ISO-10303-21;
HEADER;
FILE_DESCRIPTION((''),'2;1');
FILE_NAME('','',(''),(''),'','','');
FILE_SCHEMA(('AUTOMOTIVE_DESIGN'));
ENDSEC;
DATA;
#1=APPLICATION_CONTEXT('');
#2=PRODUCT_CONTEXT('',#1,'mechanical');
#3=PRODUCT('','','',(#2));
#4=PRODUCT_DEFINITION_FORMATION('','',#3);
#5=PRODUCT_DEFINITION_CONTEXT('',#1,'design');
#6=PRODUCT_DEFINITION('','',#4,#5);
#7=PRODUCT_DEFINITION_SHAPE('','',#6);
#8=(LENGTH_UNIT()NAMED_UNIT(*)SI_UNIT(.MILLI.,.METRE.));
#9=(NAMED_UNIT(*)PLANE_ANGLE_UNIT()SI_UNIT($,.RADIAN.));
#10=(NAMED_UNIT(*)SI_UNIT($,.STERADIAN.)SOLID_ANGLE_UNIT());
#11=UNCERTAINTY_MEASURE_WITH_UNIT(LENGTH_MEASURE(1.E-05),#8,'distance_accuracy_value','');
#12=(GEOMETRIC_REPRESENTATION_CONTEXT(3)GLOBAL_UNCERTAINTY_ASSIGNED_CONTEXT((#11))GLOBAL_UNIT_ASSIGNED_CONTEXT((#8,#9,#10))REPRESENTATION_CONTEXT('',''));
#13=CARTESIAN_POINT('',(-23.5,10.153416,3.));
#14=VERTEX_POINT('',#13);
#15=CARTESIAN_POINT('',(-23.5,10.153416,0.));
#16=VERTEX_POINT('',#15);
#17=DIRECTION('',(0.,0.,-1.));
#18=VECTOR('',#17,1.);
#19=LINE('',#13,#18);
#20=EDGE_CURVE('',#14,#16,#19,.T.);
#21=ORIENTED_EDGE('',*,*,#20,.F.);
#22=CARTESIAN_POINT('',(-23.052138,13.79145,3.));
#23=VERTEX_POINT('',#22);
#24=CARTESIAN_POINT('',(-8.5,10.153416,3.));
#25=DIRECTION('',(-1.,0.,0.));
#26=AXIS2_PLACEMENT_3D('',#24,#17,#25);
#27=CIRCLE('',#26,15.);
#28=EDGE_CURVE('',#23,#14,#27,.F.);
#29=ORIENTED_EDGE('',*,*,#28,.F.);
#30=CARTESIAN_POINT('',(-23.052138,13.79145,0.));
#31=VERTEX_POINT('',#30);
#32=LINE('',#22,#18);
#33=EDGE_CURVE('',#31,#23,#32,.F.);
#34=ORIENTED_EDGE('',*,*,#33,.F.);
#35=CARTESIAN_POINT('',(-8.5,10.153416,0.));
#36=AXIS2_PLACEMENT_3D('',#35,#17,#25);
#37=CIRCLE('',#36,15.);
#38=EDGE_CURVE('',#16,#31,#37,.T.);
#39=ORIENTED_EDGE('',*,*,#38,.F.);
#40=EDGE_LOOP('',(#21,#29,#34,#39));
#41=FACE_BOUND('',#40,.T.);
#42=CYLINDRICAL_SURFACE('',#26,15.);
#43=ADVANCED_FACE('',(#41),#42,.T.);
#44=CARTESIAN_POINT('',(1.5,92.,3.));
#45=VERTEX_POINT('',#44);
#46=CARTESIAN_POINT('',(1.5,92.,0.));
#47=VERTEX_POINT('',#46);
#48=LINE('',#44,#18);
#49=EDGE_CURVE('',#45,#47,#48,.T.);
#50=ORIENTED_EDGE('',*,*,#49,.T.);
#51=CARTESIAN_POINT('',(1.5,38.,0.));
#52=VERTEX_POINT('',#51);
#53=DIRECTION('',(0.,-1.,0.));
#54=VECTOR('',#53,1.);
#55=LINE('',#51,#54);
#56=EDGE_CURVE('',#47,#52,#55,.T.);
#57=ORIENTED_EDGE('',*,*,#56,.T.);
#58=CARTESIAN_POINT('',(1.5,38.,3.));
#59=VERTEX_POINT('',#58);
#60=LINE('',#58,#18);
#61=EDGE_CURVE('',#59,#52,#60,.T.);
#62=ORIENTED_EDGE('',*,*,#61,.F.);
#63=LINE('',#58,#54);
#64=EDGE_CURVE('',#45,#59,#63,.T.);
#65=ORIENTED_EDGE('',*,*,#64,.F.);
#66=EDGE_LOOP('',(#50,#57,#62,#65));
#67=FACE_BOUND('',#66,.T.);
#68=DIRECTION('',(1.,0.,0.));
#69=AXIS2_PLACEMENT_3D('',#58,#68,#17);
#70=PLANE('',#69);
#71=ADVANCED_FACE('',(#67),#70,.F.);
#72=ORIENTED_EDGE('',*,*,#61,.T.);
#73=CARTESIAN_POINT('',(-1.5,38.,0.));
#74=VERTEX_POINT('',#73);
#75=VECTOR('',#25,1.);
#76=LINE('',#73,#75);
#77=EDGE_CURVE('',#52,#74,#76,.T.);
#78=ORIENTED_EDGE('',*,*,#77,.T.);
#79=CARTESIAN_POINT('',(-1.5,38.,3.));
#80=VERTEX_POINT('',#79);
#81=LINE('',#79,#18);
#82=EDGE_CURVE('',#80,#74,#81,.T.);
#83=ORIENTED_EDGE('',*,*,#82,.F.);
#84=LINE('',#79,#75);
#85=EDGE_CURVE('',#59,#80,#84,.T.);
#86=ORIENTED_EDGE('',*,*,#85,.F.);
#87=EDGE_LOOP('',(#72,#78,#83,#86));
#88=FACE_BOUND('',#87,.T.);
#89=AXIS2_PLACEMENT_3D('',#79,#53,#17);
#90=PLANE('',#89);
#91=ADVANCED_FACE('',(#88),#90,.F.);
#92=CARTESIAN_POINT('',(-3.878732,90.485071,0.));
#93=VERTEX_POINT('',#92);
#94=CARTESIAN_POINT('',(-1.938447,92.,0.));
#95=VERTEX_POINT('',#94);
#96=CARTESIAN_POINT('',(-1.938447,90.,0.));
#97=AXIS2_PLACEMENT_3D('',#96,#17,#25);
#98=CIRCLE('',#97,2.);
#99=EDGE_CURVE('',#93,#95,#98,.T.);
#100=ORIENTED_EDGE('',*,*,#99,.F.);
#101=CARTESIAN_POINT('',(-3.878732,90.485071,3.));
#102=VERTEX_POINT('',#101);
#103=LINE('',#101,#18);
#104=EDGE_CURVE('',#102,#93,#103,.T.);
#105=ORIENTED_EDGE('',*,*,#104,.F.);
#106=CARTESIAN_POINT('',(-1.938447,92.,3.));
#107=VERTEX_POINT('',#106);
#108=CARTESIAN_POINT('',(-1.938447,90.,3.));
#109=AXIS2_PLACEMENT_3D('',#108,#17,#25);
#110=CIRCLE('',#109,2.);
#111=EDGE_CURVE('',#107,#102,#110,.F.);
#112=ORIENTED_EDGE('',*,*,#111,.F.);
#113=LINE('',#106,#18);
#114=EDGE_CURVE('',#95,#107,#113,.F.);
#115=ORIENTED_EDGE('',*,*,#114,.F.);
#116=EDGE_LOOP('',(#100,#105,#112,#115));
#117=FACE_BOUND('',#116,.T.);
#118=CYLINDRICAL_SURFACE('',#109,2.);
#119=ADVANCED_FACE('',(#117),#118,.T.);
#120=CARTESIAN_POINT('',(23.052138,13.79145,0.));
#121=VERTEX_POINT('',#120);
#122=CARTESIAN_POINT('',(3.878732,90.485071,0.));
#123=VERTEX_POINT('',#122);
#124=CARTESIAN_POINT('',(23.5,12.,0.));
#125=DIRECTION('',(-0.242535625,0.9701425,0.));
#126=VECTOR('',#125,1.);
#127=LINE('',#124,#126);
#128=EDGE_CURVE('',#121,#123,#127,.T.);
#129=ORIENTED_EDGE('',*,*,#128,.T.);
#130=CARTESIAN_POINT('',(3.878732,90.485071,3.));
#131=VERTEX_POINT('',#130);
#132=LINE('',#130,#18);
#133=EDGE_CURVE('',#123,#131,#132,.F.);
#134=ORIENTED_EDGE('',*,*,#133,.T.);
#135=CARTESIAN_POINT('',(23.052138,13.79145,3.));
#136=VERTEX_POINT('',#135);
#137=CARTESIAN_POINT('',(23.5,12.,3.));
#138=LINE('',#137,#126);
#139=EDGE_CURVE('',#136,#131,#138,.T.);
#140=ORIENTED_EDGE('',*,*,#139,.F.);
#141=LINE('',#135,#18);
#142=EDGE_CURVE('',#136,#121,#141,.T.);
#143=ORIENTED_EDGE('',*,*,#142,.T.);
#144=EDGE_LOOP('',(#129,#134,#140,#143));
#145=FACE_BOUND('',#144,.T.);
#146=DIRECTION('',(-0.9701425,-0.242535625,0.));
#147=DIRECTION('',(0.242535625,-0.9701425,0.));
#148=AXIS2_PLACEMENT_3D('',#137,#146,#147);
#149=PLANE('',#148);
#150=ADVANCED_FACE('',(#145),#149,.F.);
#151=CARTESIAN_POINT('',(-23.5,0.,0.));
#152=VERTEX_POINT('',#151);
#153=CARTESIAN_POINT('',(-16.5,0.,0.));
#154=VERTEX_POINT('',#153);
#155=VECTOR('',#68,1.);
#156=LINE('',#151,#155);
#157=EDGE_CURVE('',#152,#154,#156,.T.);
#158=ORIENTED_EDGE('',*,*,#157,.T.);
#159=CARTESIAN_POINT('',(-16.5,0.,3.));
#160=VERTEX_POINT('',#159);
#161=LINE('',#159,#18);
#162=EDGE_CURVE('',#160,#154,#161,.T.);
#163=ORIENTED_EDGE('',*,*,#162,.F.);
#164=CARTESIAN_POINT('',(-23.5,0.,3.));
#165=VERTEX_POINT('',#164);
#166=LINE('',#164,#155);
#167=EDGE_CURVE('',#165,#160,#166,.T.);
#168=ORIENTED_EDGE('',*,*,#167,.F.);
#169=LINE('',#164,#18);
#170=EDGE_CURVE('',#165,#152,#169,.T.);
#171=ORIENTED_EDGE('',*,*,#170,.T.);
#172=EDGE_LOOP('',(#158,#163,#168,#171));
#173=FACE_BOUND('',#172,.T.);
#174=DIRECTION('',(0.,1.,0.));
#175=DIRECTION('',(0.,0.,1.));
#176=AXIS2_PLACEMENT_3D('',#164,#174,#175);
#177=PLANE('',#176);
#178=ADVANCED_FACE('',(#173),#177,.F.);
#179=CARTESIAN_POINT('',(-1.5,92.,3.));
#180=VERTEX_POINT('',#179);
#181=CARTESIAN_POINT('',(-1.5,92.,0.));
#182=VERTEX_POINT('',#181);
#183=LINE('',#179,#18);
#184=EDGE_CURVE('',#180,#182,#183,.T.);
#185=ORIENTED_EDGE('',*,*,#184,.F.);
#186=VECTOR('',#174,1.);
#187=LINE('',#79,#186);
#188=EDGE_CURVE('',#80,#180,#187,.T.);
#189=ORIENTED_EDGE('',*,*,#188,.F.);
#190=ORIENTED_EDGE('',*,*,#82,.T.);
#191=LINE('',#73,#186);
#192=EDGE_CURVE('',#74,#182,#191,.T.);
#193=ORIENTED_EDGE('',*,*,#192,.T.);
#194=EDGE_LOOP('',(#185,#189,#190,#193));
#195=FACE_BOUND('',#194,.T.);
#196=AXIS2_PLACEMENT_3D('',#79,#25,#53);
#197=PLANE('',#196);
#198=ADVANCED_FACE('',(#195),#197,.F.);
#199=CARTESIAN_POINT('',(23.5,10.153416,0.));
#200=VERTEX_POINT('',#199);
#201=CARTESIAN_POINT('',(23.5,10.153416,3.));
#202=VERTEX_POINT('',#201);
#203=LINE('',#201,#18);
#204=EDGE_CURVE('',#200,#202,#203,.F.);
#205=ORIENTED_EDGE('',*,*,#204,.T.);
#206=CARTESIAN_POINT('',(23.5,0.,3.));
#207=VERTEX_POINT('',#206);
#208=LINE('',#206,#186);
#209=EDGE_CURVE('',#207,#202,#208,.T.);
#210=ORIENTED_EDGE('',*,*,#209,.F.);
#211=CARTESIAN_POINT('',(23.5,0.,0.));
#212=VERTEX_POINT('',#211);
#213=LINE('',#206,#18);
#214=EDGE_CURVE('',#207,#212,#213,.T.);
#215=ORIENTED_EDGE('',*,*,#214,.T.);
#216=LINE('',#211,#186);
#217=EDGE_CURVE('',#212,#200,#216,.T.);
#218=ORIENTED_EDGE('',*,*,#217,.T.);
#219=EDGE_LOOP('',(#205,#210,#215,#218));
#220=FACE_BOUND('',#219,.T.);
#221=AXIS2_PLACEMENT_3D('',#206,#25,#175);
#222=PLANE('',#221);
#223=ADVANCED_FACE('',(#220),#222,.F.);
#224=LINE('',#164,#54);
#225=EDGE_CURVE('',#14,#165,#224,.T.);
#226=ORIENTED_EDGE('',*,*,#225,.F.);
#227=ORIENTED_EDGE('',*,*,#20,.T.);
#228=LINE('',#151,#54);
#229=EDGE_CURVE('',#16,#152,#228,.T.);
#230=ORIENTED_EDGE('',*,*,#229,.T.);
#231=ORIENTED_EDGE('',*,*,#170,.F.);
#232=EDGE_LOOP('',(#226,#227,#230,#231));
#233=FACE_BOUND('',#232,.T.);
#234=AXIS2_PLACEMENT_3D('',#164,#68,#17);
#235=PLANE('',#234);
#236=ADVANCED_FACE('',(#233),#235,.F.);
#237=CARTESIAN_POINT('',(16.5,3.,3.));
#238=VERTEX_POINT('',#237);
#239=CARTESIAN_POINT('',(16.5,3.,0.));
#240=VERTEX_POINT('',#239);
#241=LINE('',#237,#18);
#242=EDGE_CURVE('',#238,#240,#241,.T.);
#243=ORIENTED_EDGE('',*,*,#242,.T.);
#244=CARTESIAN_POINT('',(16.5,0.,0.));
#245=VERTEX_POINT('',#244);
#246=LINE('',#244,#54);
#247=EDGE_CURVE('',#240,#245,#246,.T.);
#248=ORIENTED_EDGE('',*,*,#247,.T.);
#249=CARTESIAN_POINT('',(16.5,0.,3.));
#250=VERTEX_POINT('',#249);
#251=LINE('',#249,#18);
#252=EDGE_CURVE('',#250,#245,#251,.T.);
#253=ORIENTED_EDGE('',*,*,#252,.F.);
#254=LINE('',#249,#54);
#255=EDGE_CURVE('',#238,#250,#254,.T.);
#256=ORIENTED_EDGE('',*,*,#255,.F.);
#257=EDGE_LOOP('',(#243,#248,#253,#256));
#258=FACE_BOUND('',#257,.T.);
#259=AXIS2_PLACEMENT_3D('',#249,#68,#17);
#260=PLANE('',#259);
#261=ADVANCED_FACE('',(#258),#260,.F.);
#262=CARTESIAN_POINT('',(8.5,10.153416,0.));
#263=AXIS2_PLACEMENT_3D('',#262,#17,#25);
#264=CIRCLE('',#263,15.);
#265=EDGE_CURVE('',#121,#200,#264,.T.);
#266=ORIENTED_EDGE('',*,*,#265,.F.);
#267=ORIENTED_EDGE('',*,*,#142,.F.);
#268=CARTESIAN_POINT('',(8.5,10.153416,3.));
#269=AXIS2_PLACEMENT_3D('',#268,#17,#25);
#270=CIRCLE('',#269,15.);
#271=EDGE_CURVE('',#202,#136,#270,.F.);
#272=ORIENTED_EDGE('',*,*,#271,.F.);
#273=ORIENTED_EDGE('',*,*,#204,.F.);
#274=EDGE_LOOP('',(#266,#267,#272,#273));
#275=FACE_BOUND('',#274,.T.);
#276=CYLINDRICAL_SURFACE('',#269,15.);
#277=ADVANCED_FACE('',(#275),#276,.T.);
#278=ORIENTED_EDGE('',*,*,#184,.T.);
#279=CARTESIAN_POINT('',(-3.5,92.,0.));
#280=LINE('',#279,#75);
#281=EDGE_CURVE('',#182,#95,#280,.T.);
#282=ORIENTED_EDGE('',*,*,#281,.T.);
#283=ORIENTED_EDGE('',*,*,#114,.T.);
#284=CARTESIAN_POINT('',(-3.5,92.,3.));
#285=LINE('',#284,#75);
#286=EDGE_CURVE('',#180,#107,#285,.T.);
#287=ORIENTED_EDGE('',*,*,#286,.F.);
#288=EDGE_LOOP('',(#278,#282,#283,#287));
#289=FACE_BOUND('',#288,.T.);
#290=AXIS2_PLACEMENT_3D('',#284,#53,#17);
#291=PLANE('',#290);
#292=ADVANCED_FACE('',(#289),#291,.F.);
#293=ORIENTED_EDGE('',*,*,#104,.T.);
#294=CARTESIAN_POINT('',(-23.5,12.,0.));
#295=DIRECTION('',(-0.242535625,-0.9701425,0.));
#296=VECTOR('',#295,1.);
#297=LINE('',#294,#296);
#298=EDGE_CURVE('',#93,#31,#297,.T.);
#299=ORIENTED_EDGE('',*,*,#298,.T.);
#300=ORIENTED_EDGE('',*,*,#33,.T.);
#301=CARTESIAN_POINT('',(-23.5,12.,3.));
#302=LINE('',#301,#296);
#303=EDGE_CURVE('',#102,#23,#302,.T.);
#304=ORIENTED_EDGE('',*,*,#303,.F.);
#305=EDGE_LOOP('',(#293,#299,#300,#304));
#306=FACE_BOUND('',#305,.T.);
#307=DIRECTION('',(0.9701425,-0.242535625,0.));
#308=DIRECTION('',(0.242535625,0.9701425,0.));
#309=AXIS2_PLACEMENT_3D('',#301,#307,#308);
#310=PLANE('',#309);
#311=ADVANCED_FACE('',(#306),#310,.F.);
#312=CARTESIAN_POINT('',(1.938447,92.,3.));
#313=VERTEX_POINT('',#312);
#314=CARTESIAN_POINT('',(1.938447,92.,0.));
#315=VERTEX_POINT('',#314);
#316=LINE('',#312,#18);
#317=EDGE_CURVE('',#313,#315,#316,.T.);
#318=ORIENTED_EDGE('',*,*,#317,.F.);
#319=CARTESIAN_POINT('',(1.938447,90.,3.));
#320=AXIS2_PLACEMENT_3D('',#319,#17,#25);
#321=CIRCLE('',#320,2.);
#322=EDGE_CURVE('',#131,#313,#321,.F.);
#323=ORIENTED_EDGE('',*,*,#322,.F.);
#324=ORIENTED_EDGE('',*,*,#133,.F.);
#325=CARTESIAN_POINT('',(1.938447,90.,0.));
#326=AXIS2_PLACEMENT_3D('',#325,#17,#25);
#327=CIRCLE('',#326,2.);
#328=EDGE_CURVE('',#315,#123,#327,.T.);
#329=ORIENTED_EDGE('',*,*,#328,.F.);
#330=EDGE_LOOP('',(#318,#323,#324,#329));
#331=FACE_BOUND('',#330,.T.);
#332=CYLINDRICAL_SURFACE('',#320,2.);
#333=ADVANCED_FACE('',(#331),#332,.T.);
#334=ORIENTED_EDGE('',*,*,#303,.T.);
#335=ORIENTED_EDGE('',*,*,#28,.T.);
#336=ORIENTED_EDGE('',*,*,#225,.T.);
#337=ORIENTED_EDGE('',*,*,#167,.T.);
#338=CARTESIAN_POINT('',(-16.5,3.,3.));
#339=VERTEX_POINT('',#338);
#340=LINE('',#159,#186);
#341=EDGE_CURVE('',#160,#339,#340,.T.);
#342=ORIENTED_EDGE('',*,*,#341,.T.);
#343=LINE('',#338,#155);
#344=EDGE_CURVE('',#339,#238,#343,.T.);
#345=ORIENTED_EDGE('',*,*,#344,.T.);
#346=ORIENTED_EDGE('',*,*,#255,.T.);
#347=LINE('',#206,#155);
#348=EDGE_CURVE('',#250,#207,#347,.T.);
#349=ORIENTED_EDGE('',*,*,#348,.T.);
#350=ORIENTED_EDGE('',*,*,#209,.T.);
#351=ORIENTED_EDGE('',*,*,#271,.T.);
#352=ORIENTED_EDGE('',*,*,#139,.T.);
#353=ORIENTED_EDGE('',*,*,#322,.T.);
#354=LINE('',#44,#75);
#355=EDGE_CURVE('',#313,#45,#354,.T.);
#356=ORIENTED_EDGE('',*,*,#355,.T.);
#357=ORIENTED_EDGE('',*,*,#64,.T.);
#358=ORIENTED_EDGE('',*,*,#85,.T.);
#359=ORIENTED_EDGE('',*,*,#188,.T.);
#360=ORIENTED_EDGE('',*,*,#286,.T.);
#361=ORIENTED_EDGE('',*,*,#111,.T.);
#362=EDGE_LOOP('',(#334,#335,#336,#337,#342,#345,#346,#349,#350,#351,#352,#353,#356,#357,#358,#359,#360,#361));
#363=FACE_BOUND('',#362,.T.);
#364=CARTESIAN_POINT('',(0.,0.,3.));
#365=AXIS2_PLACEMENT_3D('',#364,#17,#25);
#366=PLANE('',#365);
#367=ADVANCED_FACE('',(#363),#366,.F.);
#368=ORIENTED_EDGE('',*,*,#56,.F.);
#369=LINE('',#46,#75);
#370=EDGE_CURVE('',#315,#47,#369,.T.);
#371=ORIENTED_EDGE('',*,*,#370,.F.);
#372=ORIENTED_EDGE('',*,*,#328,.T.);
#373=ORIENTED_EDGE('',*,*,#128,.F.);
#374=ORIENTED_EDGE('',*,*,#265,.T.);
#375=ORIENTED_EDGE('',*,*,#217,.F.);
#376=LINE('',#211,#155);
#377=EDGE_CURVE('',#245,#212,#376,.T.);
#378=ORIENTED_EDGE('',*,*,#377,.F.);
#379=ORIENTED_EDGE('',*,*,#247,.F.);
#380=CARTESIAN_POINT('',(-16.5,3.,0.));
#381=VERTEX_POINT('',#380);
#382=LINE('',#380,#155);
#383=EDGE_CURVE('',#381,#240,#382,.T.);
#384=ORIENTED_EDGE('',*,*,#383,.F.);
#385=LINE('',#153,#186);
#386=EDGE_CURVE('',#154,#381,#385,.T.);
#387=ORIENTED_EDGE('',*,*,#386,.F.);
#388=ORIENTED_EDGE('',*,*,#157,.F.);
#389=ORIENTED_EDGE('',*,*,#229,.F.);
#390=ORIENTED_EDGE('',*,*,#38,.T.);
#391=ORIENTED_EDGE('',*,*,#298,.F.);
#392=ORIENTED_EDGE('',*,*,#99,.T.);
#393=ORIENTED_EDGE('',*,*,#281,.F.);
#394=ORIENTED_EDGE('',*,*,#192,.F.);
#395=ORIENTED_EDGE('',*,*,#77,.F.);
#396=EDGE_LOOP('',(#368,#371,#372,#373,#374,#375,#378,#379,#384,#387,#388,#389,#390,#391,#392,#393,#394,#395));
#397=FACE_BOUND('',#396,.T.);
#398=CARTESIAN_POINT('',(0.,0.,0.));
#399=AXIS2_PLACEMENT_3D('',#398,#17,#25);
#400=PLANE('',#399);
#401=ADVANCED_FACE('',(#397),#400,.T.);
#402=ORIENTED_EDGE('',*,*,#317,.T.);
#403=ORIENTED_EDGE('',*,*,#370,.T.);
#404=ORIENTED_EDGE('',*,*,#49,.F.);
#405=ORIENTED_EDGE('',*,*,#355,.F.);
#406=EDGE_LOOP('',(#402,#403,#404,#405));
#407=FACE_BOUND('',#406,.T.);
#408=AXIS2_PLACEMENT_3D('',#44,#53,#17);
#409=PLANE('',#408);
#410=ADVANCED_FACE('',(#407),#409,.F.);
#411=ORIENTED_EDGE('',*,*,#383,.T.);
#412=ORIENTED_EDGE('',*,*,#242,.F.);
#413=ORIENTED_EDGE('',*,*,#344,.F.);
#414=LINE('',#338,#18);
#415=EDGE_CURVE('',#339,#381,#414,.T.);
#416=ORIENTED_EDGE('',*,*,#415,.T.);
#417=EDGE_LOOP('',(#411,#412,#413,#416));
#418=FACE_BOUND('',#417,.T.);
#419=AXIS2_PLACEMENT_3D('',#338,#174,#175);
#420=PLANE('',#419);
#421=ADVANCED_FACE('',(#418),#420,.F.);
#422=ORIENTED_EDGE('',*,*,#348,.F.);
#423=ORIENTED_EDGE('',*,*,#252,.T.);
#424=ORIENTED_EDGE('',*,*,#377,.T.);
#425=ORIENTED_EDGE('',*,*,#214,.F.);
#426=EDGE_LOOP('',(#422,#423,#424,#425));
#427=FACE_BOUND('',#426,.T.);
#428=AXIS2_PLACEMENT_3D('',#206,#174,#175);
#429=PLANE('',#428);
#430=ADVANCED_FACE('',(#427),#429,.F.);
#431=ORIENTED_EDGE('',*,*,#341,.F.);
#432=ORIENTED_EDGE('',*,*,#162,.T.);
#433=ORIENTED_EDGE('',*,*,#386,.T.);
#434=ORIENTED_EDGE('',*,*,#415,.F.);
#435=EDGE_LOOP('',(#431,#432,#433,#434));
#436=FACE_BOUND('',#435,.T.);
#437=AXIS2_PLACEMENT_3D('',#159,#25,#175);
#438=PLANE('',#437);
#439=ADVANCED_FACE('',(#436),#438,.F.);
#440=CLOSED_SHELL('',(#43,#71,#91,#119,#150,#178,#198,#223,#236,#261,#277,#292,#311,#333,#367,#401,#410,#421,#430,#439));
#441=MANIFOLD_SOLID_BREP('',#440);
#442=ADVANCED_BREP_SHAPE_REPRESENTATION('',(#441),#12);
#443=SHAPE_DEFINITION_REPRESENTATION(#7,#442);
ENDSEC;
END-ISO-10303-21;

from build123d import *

# Parameters (mm, degrees)
RESSALTO_EXTRUS_O1_DEPTH = 3
FILETE1_R                = 15
FILETE2_R                = 2


with BuildPart() as part:
    # Esboço1 → Ressalto-extrusão1 (new body)
    with BuildSketch(Plane.XY):
        Polygon((-23.5, 0), (-16.5, 0), (-16.5, 3), (16.5, 3), (16.5, 0), (23.5, 0), (23.5, 12), (3.5, 92), (1.5, 92), (1.5, 38), (-1.5, 38), (-1.5, 92), (-3.5, 92), (-23.5, 12), align=None)
    extrude(amount=RESSALTO_EXTRUS_O1_DEPTH)

    # Filete1
    filete1_edges = [part.edges().sort_by_distance(p)[0] for p in [
        (-23.5, 12, 1.5),
        (23.5, 12, 1.5),
    ]]
    fillet(filete1_edges, radius=FILETE1_R)

    # Filete2
    filete2_edges = [part.edges().sort_by_distance(p)[0] for p in [
        (-3.5, 92, 1.5),
        (3.5, 92, 1.5),
    ]]
    fillet(filete2_edges, radius=FILETE2_R)


solid = part.part
